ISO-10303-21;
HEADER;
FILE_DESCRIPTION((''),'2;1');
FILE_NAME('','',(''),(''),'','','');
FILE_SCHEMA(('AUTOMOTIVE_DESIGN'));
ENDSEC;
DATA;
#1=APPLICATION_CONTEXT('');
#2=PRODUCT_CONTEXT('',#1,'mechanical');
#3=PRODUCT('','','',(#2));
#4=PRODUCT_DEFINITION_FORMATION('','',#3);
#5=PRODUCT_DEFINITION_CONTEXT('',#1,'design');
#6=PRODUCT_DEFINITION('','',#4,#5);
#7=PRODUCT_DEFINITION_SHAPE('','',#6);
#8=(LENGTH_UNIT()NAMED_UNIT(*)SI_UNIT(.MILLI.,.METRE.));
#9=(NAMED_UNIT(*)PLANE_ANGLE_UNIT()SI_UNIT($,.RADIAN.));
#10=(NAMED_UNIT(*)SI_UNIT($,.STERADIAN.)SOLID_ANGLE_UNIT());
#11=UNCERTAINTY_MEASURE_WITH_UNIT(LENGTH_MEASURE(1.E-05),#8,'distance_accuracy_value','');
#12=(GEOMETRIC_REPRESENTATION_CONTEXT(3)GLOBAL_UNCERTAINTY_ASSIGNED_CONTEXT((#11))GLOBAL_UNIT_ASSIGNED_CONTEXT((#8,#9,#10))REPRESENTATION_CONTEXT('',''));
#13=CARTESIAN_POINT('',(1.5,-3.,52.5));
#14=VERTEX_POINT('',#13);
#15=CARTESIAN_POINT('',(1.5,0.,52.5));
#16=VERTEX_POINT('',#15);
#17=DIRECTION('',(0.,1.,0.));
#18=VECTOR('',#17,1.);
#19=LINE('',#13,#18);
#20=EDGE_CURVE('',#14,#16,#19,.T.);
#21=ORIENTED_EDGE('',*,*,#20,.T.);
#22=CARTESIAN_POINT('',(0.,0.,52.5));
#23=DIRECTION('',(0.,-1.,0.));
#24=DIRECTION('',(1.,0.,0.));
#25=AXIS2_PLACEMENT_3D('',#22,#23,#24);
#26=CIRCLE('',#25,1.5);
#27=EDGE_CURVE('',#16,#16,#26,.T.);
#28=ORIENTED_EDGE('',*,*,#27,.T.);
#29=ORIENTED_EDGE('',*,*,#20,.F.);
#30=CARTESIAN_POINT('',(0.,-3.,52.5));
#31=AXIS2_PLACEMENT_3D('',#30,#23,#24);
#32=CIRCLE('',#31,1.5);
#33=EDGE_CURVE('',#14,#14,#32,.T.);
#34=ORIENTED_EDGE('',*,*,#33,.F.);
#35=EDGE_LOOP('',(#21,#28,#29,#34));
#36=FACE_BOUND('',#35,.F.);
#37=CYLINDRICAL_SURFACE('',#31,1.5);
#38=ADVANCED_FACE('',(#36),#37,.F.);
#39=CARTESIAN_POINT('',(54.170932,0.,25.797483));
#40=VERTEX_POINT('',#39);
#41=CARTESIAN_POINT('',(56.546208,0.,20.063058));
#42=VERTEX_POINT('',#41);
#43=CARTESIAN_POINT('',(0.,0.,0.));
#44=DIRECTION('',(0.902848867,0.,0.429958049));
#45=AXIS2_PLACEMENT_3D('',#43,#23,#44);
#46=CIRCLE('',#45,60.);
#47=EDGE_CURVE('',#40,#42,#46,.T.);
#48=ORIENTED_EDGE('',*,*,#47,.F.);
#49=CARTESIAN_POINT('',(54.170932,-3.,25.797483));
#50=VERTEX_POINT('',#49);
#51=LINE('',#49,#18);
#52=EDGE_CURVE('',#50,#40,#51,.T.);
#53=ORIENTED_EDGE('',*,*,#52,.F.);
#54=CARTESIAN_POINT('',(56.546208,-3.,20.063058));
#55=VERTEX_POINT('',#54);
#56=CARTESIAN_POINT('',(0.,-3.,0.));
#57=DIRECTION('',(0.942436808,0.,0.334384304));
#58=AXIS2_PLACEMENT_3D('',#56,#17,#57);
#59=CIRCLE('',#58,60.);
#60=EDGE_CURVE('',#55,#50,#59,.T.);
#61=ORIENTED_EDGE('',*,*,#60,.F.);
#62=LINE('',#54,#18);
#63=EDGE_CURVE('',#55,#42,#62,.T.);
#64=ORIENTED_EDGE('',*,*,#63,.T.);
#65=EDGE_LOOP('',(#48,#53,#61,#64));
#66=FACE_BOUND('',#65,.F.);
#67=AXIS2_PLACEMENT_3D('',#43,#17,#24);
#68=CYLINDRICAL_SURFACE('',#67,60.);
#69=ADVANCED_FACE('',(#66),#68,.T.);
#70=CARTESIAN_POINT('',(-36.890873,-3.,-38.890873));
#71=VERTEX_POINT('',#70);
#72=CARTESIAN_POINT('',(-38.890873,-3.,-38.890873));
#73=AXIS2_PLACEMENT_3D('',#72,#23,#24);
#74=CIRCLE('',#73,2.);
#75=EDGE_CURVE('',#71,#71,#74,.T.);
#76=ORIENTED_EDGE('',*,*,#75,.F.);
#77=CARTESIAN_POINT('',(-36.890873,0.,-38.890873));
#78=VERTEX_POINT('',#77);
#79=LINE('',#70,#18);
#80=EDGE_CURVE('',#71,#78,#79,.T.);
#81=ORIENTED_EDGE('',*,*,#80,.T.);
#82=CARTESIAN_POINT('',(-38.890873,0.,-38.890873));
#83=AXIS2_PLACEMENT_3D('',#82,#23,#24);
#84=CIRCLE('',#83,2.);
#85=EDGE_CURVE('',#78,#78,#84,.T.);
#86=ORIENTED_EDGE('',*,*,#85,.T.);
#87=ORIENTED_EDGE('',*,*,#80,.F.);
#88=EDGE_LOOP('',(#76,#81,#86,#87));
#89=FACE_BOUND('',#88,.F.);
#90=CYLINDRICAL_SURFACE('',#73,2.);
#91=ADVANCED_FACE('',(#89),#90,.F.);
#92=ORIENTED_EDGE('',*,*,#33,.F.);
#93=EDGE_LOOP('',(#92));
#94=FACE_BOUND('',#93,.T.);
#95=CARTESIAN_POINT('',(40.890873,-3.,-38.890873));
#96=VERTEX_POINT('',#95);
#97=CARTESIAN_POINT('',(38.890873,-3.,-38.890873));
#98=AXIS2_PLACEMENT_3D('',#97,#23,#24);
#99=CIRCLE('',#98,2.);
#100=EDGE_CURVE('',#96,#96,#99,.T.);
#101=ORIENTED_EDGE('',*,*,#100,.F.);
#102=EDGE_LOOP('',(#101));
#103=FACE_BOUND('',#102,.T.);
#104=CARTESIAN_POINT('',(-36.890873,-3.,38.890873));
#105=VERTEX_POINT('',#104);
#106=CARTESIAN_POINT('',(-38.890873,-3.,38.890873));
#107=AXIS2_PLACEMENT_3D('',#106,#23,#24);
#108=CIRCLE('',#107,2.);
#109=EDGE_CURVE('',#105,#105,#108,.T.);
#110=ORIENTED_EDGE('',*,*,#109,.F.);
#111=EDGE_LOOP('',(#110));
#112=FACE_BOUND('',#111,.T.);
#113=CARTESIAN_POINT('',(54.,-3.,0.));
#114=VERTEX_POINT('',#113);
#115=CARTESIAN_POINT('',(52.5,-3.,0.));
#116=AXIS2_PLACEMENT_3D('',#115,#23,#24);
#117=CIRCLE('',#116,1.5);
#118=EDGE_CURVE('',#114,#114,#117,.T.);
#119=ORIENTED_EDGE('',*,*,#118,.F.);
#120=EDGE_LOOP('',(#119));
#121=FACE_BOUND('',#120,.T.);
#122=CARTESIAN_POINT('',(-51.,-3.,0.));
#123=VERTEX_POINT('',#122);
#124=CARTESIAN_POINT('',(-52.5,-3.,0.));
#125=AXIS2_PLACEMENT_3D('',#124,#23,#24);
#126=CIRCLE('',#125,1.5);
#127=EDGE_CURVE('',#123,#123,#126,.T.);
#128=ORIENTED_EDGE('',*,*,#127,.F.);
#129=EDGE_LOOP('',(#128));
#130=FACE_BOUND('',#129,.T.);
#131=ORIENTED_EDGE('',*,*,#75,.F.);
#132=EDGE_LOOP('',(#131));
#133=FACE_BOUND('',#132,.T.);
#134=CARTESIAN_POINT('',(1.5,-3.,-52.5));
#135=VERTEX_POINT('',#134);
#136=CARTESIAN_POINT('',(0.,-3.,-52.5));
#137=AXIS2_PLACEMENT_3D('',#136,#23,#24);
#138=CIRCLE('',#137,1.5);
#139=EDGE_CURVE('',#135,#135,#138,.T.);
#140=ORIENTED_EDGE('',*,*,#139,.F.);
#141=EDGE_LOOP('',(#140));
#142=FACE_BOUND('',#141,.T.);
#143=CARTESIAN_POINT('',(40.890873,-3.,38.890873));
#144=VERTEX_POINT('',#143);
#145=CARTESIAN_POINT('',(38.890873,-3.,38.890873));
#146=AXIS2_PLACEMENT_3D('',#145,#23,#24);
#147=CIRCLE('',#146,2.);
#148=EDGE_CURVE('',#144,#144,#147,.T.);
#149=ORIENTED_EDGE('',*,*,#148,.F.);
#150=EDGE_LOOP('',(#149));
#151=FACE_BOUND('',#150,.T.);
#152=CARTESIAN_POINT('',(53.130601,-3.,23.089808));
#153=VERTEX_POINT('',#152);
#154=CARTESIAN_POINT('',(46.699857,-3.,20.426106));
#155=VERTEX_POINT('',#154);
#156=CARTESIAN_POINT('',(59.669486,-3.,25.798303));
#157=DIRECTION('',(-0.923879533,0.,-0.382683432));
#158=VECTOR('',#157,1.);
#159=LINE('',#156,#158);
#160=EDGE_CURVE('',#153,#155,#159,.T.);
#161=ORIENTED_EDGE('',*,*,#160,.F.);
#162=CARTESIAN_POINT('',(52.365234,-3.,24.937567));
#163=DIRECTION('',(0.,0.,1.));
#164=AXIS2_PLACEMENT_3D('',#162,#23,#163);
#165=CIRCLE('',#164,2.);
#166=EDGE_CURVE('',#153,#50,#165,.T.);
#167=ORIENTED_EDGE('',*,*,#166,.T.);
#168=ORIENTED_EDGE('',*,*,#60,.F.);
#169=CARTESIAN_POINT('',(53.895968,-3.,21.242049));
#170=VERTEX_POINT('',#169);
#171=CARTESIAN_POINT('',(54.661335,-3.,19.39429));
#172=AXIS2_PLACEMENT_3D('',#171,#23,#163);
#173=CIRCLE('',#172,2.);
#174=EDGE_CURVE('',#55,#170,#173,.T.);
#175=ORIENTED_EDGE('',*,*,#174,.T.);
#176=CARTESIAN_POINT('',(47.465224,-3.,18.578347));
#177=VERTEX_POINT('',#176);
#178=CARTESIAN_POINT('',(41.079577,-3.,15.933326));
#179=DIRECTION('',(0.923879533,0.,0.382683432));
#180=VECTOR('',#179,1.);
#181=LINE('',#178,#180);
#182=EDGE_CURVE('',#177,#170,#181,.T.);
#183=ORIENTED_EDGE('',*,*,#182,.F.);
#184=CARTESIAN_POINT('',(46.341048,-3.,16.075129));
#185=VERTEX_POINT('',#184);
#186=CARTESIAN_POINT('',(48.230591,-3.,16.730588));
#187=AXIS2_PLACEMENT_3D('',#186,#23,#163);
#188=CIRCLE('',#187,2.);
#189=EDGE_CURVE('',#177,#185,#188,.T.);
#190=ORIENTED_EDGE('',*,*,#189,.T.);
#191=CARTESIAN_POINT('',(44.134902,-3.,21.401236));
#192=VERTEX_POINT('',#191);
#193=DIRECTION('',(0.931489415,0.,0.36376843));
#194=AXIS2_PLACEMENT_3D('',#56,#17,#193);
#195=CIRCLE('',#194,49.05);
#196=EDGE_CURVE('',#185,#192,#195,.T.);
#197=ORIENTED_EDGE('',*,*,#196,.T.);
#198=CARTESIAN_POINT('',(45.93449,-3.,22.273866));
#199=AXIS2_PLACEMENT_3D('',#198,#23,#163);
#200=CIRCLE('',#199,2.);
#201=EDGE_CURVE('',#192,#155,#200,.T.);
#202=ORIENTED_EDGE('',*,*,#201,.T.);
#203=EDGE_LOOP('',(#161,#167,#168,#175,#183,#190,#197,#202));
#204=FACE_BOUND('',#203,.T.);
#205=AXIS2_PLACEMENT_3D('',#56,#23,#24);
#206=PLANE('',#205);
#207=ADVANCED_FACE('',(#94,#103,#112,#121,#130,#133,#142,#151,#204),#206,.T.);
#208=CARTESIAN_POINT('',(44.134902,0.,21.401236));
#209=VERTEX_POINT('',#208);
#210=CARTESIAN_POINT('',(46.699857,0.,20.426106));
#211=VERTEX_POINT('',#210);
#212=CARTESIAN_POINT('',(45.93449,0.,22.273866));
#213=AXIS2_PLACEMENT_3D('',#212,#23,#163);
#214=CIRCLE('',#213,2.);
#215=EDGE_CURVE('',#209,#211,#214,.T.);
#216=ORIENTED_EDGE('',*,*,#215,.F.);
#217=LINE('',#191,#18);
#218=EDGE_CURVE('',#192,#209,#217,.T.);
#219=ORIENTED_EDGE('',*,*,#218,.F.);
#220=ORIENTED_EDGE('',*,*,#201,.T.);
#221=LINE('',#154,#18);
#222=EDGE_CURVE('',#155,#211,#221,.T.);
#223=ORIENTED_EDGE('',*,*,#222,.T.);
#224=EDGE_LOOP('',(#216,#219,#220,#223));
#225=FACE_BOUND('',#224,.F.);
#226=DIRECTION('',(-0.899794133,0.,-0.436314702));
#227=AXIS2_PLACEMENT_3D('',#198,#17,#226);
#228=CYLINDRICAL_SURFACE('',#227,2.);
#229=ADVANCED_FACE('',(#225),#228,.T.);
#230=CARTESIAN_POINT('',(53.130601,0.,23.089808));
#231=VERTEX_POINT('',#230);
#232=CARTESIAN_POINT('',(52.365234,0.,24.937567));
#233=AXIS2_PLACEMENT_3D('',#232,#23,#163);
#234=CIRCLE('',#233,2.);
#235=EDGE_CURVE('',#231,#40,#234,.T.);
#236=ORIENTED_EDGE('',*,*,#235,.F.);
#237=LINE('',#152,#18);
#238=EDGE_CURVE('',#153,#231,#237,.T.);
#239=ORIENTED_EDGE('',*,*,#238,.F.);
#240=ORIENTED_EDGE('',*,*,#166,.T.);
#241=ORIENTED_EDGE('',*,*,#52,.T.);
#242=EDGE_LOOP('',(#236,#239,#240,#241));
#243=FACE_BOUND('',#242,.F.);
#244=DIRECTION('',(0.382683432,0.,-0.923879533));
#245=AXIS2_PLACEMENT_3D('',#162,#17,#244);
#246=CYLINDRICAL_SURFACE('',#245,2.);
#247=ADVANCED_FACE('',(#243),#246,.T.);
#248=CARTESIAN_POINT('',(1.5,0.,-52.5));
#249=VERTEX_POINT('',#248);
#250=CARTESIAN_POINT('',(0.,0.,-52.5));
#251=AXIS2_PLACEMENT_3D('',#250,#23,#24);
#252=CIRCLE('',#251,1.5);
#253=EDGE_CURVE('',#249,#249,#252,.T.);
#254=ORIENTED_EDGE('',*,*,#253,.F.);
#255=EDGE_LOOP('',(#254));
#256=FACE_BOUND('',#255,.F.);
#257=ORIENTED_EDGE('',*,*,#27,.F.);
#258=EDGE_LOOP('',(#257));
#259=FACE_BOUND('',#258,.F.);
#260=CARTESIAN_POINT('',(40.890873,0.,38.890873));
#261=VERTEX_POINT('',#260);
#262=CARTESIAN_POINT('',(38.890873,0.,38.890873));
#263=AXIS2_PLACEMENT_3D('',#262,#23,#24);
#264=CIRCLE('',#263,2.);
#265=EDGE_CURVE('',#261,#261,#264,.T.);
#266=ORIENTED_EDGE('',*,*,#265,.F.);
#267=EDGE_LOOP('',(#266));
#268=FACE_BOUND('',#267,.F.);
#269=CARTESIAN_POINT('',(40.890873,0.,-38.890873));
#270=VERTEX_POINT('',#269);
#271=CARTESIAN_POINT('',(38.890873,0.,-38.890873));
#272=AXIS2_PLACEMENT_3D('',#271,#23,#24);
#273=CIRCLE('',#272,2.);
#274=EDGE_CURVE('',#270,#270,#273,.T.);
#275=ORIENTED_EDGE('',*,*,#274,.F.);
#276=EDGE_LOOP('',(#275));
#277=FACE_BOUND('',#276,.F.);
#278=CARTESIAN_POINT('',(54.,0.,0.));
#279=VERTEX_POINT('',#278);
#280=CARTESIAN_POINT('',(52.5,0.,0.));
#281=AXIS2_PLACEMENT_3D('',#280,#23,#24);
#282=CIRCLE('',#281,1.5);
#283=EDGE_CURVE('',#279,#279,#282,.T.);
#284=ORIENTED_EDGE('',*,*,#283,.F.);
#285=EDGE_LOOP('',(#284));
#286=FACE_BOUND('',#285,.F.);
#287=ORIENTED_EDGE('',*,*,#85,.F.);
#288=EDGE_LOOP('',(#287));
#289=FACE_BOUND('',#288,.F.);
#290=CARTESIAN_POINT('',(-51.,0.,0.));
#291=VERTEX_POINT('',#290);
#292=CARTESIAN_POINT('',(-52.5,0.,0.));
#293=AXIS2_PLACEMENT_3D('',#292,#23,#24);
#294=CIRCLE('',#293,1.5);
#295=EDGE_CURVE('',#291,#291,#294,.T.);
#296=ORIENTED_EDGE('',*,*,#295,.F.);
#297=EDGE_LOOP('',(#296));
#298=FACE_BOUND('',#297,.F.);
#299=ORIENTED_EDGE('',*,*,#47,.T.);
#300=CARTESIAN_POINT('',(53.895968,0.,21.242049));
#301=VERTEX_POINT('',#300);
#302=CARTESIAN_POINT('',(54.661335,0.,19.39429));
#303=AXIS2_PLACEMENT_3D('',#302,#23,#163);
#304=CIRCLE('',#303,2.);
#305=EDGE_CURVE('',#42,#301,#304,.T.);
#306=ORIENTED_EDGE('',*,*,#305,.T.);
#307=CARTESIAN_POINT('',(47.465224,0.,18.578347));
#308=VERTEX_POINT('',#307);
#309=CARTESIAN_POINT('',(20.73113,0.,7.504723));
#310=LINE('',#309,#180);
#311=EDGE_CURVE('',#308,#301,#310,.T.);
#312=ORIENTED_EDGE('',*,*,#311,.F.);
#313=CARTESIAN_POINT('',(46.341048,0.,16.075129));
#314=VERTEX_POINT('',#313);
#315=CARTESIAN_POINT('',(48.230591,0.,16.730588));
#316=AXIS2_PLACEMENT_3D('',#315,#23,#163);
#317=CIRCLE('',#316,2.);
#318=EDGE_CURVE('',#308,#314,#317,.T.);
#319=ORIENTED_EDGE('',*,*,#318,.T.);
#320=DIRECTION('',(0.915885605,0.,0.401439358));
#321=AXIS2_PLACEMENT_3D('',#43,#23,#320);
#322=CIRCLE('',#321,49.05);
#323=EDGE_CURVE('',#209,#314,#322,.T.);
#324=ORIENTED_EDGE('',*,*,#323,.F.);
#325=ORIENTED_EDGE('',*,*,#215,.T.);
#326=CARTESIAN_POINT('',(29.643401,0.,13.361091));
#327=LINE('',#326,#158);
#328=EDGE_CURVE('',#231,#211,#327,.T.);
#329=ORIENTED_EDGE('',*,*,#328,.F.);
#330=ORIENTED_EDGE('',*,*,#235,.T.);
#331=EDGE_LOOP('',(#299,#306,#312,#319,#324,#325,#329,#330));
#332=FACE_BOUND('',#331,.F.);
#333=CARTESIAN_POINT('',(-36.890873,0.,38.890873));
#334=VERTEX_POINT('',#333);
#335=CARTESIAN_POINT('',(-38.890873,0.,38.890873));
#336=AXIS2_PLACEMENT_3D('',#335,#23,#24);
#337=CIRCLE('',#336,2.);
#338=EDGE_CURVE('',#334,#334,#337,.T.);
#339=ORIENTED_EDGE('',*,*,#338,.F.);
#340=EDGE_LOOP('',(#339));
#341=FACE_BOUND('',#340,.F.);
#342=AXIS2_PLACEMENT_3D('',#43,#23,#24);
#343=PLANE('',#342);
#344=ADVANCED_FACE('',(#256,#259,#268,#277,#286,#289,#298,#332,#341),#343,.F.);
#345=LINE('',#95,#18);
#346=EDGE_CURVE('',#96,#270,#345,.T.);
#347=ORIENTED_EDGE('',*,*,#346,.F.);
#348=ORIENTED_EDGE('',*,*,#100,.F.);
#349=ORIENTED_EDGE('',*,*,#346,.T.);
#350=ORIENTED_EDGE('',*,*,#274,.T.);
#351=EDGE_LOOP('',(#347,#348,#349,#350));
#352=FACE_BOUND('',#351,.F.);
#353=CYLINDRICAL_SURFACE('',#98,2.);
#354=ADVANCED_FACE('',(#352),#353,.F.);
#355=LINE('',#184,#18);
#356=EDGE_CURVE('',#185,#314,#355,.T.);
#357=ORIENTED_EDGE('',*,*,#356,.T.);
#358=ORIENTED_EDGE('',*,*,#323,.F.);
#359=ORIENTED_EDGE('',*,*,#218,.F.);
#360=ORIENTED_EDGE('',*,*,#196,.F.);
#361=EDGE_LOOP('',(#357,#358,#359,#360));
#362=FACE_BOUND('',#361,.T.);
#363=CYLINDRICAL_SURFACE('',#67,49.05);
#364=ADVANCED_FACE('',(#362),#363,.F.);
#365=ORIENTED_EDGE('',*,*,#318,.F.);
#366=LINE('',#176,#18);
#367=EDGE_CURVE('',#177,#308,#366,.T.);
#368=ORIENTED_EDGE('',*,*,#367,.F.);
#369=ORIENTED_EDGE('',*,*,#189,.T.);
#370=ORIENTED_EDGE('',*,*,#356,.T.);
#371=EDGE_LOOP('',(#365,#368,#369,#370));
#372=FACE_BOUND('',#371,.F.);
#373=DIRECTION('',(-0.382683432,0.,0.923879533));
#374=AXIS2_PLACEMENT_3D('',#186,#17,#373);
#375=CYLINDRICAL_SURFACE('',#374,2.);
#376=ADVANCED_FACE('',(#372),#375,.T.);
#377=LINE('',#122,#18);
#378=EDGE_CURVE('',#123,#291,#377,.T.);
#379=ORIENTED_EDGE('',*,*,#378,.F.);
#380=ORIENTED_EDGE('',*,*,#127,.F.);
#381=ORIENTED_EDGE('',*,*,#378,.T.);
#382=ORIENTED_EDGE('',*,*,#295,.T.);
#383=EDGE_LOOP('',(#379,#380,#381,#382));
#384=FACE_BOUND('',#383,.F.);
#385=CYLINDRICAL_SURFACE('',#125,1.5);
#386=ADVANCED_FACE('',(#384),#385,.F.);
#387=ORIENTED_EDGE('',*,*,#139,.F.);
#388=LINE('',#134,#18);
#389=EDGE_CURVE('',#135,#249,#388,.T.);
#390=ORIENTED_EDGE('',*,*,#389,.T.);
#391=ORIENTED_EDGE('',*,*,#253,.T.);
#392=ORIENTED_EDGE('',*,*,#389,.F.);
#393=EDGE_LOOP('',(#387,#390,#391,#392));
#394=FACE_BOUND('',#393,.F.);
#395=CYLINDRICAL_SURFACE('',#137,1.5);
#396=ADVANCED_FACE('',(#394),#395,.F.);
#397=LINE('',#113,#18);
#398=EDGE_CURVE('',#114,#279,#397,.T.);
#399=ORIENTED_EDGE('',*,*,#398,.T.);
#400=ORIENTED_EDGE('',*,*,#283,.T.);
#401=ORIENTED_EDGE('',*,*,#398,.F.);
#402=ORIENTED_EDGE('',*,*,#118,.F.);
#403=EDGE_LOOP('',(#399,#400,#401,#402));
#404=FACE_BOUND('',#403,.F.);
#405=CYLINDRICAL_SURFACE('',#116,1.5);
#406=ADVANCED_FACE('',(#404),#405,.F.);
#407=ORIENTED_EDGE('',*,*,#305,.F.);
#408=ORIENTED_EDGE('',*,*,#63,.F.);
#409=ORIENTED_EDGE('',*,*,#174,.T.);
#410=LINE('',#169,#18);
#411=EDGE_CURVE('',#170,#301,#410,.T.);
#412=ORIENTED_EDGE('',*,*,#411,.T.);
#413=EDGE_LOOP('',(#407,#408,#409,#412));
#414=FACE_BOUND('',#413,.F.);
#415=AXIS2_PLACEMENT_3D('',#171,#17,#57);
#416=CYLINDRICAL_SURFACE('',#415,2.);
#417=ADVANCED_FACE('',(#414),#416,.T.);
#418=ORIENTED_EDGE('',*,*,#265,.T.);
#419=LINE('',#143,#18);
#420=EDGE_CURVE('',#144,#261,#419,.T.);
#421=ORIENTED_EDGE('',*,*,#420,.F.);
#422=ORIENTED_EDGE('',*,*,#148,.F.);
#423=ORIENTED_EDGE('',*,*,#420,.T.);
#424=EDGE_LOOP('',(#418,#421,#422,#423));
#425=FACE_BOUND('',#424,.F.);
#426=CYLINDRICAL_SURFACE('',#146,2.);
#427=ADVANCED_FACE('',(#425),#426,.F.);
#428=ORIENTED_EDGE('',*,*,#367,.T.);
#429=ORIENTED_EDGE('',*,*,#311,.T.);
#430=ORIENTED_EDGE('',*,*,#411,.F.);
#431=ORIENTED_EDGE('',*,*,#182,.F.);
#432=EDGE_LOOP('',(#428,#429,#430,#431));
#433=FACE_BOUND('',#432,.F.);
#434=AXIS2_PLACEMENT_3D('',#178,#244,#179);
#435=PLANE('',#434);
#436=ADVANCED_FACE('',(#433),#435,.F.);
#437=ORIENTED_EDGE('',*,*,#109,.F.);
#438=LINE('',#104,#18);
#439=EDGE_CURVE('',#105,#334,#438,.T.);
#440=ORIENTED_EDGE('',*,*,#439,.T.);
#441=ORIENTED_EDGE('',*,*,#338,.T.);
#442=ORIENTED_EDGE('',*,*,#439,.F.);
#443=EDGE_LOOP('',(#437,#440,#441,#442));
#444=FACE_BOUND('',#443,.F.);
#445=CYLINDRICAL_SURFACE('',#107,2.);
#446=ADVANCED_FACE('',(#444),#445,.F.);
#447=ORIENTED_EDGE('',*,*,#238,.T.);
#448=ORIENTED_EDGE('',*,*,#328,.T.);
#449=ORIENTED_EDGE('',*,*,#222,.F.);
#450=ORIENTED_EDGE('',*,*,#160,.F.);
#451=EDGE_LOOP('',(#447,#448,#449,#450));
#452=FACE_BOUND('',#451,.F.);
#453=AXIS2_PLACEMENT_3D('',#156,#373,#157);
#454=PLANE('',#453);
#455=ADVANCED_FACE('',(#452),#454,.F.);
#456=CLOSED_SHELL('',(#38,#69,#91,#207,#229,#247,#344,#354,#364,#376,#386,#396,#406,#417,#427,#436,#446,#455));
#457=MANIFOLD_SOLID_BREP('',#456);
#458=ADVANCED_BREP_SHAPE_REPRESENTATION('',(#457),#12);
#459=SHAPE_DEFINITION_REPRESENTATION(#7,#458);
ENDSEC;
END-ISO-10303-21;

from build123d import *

# Parameters (mm, degrees)
F0_R     = 60
F0_R_2   = 49.05
F1_DEPTH = 3
F2_R     = 1.5
F2_R_2   = 2
F3_DEPTH = 3.001
F4_R     = 2


with BuildPart() as f1:
    # F0 (on Front) → F1 (new body)
    with BuildSketch(Plane.XZ):
        Circle(F0_R)
        Circle(F0_R_2, mode=Mode.SUBTRACT)
    extrude(amount=F1_DEPTH)

    # F2 (on face) → F3 (cut, through all)
    with BuildSketch(Plane.XZ.offset(3)):
        with Locations((-52.5, 0)):
            Circle(F2_R)
        with Locations((0, 52.5)):
            Circle(F2_R)
        with Locations((52.5, 0)):
            Circle(F2_R)
        with Locations((0, -52.5)):
            Circle(F2_R)
        Polygon((59.6694861809, 25.7983026362), (40.3142099748, 17.7810847282), (40.6968934071, 16.8572051957), (41.0795768395, 15.9333256632), (60.4348530456, 23.9505435712), (60.0521696132, 24.8744231037), align=None)
        with Locations((-38.8908729653, 38.8908729653)):
            Circle(F2_R_2)
        with Locations((-38.8908729653, -38.8908729653)):
            Circle(F2_R_2)
        with Locations((38.8908729653, -38.8908729653)):
            Circle(F2_R_2)
        with Locations((38.8908729653, 38.8908729653)):
            Circle(F2_R_2)
    extrude(amount=-F3_DEPTH, mode=Mode.SUBTRACT)

    # F4
    f4_edges = [f1.edges().sort_by_distance(p)[0] for p in [
        (55.042389, -1.5, 23.881696),
        (55.807756, -1.5, 22.033937),
        (44.924189, -1.5, 19.690601),
        (45.689556, -1.5, 17.842841),
    ]]
    fillet(f4_edges, radius=F4_R)


solid = f1.part
